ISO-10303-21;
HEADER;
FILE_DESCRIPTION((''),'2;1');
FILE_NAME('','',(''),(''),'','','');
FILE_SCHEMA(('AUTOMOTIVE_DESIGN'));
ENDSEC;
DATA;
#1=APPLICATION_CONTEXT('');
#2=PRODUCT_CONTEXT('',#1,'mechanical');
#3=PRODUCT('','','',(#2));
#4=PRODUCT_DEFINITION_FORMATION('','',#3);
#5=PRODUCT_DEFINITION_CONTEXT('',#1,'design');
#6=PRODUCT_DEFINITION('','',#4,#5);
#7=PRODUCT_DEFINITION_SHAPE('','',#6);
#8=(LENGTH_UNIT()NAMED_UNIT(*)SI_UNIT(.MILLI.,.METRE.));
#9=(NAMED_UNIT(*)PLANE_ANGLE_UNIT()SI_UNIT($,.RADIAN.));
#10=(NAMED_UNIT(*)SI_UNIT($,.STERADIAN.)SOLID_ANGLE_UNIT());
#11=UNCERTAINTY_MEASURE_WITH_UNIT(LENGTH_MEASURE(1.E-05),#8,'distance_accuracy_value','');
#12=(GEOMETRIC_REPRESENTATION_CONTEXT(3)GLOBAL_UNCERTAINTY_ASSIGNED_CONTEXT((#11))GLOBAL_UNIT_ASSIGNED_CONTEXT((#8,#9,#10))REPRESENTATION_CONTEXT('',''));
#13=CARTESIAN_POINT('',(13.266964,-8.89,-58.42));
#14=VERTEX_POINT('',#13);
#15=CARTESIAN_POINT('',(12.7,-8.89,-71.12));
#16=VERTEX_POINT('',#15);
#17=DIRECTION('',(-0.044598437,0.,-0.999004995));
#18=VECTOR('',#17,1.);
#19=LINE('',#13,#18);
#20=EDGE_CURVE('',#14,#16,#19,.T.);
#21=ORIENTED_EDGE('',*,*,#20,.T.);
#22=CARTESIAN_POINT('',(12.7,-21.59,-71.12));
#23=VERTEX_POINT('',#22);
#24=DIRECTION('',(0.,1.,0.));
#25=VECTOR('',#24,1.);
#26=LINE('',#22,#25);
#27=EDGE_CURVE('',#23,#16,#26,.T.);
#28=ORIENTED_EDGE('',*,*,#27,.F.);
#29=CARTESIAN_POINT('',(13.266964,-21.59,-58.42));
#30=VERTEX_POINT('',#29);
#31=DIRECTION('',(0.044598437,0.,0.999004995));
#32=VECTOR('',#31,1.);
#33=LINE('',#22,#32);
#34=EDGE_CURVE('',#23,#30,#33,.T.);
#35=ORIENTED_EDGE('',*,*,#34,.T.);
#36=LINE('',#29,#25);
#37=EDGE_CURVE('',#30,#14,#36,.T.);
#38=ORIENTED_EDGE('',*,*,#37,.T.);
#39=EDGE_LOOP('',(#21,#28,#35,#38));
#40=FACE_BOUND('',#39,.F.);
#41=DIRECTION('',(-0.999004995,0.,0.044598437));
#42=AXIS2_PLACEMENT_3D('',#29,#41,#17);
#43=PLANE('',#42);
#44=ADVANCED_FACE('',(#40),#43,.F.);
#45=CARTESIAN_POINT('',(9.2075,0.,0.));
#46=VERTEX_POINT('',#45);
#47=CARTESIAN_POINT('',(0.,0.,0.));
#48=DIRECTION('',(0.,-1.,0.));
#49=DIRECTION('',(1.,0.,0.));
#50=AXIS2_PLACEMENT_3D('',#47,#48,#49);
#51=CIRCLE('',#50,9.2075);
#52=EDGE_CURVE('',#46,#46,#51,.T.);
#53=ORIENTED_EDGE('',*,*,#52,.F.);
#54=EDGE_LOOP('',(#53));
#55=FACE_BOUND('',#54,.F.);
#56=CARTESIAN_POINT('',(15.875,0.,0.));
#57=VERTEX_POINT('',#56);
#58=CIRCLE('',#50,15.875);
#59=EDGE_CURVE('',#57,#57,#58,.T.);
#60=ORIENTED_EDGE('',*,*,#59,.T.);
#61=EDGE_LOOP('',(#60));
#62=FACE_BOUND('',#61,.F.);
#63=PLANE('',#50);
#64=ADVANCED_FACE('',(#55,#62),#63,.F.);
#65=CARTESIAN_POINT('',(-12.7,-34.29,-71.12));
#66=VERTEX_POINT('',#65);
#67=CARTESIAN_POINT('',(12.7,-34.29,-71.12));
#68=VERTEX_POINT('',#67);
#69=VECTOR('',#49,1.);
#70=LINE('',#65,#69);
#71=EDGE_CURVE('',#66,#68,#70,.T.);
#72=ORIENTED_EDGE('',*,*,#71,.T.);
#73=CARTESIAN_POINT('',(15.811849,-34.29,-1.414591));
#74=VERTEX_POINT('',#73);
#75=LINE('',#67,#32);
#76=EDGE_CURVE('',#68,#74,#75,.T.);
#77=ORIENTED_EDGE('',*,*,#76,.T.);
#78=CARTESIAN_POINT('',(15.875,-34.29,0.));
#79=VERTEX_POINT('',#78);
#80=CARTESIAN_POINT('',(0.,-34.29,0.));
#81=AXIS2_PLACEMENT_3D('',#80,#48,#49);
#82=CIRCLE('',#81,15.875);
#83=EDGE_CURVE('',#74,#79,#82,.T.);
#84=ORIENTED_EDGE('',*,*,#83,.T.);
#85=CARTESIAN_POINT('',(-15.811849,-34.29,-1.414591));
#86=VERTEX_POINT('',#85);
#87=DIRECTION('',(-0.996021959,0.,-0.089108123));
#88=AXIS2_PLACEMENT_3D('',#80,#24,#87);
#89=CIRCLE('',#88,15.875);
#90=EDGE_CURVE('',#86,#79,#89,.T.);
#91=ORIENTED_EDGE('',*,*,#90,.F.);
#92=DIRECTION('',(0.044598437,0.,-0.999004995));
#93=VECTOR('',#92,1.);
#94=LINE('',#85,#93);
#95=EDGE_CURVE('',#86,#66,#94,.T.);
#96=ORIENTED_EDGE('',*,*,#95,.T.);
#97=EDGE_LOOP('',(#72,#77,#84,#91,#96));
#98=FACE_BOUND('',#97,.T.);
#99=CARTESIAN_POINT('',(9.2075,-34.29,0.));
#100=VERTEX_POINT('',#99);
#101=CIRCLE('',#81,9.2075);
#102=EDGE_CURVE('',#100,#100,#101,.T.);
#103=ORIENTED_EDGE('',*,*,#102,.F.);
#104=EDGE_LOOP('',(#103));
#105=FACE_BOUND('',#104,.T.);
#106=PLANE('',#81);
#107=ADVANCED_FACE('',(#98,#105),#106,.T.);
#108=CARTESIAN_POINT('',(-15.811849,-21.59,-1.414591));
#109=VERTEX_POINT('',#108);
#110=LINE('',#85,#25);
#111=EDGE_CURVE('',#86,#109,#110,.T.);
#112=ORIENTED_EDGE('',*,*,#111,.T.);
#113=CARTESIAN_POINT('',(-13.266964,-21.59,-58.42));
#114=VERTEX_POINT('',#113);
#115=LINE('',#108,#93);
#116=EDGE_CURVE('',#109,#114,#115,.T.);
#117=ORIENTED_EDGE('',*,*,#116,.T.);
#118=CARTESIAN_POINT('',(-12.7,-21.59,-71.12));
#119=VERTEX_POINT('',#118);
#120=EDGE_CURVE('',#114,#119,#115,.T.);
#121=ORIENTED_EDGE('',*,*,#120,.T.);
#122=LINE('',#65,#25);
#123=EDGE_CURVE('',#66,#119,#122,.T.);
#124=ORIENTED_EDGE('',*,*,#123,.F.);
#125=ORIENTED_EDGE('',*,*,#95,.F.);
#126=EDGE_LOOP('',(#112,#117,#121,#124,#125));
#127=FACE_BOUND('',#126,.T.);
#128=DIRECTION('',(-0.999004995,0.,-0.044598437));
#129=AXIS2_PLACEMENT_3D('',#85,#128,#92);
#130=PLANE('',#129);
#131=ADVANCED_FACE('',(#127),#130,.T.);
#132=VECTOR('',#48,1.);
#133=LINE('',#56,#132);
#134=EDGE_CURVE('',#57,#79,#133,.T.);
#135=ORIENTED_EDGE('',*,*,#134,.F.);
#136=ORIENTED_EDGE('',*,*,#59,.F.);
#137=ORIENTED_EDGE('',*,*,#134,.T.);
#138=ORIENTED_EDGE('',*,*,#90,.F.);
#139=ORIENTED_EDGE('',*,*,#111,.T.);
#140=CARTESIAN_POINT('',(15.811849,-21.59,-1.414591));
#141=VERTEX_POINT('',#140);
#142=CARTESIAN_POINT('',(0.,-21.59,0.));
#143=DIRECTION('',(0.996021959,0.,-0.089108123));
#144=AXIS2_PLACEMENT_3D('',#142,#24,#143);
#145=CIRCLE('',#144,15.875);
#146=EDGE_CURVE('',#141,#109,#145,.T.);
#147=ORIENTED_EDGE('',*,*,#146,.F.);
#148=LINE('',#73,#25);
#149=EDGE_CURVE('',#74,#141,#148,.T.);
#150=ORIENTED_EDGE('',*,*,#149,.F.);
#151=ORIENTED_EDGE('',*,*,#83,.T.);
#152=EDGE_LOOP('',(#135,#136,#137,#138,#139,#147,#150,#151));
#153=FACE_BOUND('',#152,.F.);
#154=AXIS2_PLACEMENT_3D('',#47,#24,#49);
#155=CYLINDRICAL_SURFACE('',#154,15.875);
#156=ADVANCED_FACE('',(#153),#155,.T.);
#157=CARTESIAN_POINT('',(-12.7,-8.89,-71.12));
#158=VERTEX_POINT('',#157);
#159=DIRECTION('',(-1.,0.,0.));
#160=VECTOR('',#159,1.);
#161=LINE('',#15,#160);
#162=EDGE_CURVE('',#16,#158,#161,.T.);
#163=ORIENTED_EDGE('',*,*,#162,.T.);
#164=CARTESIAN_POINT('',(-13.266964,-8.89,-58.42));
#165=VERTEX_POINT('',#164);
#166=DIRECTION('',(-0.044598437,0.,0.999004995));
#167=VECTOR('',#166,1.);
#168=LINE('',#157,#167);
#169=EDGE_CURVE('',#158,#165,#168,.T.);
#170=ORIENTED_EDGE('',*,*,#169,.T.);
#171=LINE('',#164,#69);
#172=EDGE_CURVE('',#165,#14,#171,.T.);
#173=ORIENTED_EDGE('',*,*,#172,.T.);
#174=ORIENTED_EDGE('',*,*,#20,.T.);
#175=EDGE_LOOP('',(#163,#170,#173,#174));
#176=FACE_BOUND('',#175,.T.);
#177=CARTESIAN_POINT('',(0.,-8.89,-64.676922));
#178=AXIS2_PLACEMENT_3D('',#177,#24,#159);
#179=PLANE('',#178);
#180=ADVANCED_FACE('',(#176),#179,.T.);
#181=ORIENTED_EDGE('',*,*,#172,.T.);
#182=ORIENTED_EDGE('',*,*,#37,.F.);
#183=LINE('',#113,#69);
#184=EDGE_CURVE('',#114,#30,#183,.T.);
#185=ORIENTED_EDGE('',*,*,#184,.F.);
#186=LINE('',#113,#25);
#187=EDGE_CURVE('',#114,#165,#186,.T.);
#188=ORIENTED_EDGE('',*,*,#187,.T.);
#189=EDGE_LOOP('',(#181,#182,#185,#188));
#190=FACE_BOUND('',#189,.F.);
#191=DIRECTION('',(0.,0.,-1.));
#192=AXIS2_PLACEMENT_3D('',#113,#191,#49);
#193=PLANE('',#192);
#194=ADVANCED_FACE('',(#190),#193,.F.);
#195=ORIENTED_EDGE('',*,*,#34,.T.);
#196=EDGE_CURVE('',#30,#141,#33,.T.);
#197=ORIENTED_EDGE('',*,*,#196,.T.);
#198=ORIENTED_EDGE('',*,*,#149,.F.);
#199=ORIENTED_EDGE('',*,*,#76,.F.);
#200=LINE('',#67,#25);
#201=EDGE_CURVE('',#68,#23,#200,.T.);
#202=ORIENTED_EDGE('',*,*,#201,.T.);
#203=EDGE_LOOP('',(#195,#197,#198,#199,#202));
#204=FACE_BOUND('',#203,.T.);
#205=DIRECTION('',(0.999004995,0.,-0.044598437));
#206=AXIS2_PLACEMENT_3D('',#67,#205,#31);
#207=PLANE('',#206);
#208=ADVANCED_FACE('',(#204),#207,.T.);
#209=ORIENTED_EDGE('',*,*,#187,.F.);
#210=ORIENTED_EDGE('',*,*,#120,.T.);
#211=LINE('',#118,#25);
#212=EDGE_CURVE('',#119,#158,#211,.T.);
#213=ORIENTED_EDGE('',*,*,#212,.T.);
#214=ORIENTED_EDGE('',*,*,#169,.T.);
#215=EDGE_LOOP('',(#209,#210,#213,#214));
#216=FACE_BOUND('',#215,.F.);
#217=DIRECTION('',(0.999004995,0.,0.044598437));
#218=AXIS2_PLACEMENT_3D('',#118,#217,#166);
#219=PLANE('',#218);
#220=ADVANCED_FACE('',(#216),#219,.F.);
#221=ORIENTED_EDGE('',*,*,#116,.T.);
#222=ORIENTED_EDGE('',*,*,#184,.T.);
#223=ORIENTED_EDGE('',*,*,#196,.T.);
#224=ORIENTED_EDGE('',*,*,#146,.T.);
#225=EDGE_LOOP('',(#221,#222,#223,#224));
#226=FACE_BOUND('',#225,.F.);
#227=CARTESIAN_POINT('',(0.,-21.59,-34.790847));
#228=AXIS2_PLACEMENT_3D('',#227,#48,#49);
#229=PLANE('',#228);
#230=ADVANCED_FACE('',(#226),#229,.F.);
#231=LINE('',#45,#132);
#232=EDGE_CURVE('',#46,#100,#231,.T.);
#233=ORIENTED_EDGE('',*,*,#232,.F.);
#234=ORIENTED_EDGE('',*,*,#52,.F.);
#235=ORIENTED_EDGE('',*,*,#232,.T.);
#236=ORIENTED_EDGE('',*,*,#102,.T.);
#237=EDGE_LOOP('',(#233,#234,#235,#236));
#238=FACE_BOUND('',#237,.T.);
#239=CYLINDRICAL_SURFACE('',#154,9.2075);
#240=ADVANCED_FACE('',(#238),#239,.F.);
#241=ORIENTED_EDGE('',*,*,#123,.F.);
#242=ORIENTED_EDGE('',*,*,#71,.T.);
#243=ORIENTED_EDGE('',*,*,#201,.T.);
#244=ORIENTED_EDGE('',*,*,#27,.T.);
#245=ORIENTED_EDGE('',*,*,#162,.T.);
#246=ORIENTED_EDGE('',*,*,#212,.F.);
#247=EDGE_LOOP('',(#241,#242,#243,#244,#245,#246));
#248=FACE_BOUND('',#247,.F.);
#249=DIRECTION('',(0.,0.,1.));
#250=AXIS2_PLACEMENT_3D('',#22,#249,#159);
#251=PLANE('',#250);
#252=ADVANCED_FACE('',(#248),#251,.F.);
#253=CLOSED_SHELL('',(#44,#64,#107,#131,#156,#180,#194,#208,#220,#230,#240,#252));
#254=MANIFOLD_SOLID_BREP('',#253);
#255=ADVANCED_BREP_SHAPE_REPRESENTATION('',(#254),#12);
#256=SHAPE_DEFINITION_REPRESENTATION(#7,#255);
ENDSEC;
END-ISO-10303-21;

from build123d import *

# Parameters (mm, degrees)
F0_R     = 15.875
F0_R_2   = 9.2075
F1_DEPTH = 34.29
F3_DEPTH = 12.7
F5_DEPTH = 12.7


with BuildPart() as f1:
    # F0 (on Front) → F1 (new body)
    with BuildSketch(Plane.XZ):
        Circle(F0_R)
        Circle(F0_R_2, mode=Mode.SUBTRACT)
    extrude(amount=F1_DEPTH)

    # F2 (on face) → F3 (join)
    with BuildSketch(Plane.XZ.offset(34.29)):
        with BuildLine():
            ThreePointArc((15.8118485958, -1.4145914552), (15.8592042905, -0.7080001915), (15.875, 0))
            Line((15.875, 0), (15.8118485958, -1.4145914552))
        make_face()
        with BuildLine():
            ThreePointArc((-15.875, 0), (-15.8592042905, -0.7080001915), (-15.8118485958, -1.4145914552))
            Line((-15.8118485958, -1.4145914552), (-15.875, 0))
        make_face()
        with BuildLine():
            Line((12.7, -71.12), (15.8118485958, -1.4145914552))
            ThreePointArc((15.8118485958, -1.4145914552), (0, -15.875), (-15.8118485958, -1.4145914552))
            Line((-15.8118485958, -1.4145914552), (-12.7, -71.12))
            Line((-12.7, -71.12), (12.7, -71.12))
        make_face()
    extrude(amount=-F3_DEPTH)

    # F4 (on face) → F5 (join)
    with BuildSketch(Plane(origin=(0, -21.59, 0), x_dir=(-1, 0, 0), z_dir=(0, 1, 0))):
        Polygon((-13.2669642857, -58.42), (-12.7, -71.12), (12.7, -71.12), (13.2669642857, -58.42), align=None)
    extrude(amount=F5_DEPTH)


solid = f1.part
